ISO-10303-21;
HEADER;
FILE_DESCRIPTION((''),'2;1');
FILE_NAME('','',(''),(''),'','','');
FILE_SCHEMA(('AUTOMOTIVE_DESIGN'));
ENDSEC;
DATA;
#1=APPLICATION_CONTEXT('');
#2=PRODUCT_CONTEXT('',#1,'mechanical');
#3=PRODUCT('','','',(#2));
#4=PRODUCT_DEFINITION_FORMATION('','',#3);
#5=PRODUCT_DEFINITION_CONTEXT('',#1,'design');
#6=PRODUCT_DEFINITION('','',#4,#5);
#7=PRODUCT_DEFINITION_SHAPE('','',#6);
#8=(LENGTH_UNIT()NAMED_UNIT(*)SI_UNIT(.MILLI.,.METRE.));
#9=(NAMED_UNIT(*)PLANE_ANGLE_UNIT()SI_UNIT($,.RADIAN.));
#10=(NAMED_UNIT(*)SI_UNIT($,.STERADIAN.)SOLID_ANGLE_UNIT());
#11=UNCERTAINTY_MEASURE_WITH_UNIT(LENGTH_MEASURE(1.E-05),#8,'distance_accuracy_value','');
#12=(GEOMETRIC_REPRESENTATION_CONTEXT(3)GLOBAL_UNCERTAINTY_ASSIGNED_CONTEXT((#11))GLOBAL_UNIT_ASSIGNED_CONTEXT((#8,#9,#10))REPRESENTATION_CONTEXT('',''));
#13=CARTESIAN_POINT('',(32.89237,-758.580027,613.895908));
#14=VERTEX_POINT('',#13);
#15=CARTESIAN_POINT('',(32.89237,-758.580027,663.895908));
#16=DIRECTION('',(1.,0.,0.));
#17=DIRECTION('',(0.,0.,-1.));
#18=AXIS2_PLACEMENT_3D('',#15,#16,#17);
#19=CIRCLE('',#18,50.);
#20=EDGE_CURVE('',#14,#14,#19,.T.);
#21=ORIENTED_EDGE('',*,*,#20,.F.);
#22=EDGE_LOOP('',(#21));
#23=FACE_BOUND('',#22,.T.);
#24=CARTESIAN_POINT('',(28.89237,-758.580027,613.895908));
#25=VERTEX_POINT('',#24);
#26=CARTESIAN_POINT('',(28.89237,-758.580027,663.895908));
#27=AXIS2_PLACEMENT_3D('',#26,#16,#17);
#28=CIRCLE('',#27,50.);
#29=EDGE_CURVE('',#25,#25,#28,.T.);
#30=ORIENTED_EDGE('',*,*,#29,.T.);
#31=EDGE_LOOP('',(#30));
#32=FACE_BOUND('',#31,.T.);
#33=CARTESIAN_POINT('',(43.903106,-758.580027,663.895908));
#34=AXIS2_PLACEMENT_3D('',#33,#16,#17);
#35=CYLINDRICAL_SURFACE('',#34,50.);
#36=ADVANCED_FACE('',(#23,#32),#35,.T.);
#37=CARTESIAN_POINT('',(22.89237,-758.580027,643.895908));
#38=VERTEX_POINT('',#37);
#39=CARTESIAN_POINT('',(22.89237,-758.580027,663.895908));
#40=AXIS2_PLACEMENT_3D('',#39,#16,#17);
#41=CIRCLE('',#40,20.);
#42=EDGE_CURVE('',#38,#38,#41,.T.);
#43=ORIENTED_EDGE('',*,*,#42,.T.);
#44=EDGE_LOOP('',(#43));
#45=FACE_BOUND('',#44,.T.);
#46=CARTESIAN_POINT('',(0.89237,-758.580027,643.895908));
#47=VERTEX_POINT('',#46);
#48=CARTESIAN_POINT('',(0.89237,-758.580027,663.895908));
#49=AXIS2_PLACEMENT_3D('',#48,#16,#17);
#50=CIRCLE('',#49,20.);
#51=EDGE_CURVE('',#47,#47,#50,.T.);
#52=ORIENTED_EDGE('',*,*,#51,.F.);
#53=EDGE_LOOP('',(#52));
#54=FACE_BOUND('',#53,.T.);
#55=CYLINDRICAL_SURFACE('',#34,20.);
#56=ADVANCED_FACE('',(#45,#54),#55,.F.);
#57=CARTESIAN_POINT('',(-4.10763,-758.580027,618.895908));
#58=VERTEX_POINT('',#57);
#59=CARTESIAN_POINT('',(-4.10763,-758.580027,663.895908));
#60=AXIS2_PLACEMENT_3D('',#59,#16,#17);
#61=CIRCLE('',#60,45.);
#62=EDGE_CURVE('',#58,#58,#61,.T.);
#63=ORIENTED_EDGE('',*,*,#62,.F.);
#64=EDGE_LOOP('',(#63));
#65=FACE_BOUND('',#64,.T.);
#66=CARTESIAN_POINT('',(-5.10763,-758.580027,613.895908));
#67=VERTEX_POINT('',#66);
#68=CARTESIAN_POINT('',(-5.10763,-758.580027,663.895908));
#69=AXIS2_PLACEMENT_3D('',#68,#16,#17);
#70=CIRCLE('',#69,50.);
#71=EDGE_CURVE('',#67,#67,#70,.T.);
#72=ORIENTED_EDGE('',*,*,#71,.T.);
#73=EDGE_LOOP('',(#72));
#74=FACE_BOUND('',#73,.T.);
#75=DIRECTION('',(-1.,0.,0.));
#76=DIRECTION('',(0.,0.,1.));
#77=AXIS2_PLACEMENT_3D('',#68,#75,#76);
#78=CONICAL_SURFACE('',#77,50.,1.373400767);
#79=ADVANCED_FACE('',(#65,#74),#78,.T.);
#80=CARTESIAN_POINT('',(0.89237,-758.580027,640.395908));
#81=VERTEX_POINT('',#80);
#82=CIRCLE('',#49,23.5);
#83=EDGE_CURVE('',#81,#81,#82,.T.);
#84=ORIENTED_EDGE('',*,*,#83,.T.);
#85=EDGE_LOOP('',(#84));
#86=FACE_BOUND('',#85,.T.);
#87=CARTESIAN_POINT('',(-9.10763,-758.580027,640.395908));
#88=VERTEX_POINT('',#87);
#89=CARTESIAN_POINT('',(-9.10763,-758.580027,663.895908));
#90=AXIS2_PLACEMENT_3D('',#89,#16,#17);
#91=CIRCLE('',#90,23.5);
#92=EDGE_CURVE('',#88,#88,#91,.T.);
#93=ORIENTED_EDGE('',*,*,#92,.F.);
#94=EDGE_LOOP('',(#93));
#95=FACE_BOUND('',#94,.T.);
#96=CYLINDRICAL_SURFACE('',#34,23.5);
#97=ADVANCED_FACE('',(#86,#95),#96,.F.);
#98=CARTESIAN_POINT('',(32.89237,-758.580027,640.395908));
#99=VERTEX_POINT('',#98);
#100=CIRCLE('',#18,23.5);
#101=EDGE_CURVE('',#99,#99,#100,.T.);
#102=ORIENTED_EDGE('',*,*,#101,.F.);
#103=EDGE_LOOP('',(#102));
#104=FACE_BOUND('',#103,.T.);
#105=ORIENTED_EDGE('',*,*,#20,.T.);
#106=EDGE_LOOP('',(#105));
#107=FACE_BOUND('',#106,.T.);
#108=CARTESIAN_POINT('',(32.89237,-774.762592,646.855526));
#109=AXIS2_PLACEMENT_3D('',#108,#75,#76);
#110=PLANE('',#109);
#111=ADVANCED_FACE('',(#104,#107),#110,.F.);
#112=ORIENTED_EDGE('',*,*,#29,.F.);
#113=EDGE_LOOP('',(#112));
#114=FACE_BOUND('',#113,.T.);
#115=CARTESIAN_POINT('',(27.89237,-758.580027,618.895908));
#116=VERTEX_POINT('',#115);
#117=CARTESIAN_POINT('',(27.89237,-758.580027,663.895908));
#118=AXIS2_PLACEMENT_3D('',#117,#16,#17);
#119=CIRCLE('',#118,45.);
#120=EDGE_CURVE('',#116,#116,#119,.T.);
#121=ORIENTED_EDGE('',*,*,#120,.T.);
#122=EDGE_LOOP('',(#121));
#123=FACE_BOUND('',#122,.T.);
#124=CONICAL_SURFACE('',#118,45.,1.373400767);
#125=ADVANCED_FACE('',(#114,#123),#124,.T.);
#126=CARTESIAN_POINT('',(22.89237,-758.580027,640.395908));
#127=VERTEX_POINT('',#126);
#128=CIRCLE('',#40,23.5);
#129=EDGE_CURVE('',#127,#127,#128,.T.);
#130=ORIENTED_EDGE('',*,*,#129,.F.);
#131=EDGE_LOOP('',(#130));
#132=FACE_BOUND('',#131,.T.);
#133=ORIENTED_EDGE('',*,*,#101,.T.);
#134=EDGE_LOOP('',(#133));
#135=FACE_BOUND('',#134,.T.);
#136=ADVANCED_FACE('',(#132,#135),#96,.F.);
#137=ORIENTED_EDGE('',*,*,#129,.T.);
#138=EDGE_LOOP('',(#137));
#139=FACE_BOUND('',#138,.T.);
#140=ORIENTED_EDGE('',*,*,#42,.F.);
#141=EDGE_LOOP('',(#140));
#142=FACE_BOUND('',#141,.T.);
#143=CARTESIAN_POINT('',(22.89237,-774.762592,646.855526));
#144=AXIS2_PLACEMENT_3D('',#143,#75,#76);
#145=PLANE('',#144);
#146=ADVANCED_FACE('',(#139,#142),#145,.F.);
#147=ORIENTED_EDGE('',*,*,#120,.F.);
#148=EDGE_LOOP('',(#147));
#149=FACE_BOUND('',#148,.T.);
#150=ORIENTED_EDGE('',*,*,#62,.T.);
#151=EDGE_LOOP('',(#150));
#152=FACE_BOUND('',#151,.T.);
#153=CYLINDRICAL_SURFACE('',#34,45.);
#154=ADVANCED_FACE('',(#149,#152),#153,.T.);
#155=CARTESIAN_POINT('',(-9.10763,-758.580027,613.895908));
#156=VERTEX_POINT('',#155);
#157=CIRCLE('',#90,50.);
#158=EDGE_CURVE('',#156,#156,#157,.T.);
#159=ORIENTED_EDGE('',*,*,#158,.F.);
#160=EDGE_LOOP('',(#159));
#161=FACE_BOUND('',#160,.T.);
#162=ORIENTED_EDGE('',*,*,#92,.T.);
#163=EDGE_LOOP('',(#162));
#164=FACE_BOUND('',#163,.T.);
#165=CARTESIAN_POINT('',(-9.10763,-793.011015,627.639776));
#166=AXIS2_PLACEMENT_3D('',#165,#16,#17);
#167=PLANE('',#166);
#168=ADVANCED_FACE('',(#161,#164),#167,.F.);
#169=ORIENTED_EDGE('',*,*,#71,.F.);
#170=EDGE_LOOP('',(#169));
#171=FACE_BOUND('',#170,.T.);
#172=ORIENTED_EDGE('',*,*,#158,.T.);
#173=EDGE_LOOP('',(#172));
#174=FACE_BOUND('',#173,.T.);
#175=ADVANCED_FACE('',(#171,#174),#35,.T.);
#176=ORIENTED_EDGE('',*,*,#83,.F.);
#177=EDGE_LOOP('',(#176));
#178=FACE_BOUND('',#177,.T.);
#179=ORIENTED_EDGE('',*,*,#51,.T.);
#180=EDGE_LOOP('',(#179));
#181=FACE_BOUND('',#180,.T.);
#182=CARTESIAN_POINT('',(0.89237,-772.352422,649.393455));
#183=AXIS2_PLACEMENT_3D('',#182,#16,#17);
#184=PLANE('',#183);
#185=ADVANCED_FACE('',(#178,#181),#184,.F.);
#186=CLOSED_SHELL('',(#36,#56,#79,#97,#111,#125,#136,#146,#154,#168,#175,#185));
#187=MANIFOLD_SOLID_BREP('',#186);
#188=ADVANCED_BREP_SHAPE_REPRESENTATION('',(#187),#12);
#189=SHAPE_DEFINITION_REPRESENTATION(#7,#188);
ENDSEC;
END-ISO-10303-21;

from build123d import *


with BuildPart() as part:
    # 草图1 → 旋转1 (revolve)
    with BuildSketch(Plane(origin=(0, -730.369166709, 693.602190087), x_dir=(-1, 0, 0), z_dir=(0, -0.725122626, 0.688619762))):
        Polygon((-32.892369562, 64.467253591), (-32.892369562, 90.967253591), (-28.892369562, 90.967253591), (-27.892369562, 85.967253591), (4.107630438, 85.967253591), (5.107630438, 90.967253591), (9.107630438, 90.967253591), (9.107630438, 64.467253591), (-0.892369562, 64.467253591), (-0.892369562, 60.967253591), (-22.892369562, 60.967253591), (-22.892369562, 64.467253591), align=None)
    revolve(axis=Axis((43.903105844, -758.580027128, 663.895907566), (-1, 0, 0)))


solid = part.part
